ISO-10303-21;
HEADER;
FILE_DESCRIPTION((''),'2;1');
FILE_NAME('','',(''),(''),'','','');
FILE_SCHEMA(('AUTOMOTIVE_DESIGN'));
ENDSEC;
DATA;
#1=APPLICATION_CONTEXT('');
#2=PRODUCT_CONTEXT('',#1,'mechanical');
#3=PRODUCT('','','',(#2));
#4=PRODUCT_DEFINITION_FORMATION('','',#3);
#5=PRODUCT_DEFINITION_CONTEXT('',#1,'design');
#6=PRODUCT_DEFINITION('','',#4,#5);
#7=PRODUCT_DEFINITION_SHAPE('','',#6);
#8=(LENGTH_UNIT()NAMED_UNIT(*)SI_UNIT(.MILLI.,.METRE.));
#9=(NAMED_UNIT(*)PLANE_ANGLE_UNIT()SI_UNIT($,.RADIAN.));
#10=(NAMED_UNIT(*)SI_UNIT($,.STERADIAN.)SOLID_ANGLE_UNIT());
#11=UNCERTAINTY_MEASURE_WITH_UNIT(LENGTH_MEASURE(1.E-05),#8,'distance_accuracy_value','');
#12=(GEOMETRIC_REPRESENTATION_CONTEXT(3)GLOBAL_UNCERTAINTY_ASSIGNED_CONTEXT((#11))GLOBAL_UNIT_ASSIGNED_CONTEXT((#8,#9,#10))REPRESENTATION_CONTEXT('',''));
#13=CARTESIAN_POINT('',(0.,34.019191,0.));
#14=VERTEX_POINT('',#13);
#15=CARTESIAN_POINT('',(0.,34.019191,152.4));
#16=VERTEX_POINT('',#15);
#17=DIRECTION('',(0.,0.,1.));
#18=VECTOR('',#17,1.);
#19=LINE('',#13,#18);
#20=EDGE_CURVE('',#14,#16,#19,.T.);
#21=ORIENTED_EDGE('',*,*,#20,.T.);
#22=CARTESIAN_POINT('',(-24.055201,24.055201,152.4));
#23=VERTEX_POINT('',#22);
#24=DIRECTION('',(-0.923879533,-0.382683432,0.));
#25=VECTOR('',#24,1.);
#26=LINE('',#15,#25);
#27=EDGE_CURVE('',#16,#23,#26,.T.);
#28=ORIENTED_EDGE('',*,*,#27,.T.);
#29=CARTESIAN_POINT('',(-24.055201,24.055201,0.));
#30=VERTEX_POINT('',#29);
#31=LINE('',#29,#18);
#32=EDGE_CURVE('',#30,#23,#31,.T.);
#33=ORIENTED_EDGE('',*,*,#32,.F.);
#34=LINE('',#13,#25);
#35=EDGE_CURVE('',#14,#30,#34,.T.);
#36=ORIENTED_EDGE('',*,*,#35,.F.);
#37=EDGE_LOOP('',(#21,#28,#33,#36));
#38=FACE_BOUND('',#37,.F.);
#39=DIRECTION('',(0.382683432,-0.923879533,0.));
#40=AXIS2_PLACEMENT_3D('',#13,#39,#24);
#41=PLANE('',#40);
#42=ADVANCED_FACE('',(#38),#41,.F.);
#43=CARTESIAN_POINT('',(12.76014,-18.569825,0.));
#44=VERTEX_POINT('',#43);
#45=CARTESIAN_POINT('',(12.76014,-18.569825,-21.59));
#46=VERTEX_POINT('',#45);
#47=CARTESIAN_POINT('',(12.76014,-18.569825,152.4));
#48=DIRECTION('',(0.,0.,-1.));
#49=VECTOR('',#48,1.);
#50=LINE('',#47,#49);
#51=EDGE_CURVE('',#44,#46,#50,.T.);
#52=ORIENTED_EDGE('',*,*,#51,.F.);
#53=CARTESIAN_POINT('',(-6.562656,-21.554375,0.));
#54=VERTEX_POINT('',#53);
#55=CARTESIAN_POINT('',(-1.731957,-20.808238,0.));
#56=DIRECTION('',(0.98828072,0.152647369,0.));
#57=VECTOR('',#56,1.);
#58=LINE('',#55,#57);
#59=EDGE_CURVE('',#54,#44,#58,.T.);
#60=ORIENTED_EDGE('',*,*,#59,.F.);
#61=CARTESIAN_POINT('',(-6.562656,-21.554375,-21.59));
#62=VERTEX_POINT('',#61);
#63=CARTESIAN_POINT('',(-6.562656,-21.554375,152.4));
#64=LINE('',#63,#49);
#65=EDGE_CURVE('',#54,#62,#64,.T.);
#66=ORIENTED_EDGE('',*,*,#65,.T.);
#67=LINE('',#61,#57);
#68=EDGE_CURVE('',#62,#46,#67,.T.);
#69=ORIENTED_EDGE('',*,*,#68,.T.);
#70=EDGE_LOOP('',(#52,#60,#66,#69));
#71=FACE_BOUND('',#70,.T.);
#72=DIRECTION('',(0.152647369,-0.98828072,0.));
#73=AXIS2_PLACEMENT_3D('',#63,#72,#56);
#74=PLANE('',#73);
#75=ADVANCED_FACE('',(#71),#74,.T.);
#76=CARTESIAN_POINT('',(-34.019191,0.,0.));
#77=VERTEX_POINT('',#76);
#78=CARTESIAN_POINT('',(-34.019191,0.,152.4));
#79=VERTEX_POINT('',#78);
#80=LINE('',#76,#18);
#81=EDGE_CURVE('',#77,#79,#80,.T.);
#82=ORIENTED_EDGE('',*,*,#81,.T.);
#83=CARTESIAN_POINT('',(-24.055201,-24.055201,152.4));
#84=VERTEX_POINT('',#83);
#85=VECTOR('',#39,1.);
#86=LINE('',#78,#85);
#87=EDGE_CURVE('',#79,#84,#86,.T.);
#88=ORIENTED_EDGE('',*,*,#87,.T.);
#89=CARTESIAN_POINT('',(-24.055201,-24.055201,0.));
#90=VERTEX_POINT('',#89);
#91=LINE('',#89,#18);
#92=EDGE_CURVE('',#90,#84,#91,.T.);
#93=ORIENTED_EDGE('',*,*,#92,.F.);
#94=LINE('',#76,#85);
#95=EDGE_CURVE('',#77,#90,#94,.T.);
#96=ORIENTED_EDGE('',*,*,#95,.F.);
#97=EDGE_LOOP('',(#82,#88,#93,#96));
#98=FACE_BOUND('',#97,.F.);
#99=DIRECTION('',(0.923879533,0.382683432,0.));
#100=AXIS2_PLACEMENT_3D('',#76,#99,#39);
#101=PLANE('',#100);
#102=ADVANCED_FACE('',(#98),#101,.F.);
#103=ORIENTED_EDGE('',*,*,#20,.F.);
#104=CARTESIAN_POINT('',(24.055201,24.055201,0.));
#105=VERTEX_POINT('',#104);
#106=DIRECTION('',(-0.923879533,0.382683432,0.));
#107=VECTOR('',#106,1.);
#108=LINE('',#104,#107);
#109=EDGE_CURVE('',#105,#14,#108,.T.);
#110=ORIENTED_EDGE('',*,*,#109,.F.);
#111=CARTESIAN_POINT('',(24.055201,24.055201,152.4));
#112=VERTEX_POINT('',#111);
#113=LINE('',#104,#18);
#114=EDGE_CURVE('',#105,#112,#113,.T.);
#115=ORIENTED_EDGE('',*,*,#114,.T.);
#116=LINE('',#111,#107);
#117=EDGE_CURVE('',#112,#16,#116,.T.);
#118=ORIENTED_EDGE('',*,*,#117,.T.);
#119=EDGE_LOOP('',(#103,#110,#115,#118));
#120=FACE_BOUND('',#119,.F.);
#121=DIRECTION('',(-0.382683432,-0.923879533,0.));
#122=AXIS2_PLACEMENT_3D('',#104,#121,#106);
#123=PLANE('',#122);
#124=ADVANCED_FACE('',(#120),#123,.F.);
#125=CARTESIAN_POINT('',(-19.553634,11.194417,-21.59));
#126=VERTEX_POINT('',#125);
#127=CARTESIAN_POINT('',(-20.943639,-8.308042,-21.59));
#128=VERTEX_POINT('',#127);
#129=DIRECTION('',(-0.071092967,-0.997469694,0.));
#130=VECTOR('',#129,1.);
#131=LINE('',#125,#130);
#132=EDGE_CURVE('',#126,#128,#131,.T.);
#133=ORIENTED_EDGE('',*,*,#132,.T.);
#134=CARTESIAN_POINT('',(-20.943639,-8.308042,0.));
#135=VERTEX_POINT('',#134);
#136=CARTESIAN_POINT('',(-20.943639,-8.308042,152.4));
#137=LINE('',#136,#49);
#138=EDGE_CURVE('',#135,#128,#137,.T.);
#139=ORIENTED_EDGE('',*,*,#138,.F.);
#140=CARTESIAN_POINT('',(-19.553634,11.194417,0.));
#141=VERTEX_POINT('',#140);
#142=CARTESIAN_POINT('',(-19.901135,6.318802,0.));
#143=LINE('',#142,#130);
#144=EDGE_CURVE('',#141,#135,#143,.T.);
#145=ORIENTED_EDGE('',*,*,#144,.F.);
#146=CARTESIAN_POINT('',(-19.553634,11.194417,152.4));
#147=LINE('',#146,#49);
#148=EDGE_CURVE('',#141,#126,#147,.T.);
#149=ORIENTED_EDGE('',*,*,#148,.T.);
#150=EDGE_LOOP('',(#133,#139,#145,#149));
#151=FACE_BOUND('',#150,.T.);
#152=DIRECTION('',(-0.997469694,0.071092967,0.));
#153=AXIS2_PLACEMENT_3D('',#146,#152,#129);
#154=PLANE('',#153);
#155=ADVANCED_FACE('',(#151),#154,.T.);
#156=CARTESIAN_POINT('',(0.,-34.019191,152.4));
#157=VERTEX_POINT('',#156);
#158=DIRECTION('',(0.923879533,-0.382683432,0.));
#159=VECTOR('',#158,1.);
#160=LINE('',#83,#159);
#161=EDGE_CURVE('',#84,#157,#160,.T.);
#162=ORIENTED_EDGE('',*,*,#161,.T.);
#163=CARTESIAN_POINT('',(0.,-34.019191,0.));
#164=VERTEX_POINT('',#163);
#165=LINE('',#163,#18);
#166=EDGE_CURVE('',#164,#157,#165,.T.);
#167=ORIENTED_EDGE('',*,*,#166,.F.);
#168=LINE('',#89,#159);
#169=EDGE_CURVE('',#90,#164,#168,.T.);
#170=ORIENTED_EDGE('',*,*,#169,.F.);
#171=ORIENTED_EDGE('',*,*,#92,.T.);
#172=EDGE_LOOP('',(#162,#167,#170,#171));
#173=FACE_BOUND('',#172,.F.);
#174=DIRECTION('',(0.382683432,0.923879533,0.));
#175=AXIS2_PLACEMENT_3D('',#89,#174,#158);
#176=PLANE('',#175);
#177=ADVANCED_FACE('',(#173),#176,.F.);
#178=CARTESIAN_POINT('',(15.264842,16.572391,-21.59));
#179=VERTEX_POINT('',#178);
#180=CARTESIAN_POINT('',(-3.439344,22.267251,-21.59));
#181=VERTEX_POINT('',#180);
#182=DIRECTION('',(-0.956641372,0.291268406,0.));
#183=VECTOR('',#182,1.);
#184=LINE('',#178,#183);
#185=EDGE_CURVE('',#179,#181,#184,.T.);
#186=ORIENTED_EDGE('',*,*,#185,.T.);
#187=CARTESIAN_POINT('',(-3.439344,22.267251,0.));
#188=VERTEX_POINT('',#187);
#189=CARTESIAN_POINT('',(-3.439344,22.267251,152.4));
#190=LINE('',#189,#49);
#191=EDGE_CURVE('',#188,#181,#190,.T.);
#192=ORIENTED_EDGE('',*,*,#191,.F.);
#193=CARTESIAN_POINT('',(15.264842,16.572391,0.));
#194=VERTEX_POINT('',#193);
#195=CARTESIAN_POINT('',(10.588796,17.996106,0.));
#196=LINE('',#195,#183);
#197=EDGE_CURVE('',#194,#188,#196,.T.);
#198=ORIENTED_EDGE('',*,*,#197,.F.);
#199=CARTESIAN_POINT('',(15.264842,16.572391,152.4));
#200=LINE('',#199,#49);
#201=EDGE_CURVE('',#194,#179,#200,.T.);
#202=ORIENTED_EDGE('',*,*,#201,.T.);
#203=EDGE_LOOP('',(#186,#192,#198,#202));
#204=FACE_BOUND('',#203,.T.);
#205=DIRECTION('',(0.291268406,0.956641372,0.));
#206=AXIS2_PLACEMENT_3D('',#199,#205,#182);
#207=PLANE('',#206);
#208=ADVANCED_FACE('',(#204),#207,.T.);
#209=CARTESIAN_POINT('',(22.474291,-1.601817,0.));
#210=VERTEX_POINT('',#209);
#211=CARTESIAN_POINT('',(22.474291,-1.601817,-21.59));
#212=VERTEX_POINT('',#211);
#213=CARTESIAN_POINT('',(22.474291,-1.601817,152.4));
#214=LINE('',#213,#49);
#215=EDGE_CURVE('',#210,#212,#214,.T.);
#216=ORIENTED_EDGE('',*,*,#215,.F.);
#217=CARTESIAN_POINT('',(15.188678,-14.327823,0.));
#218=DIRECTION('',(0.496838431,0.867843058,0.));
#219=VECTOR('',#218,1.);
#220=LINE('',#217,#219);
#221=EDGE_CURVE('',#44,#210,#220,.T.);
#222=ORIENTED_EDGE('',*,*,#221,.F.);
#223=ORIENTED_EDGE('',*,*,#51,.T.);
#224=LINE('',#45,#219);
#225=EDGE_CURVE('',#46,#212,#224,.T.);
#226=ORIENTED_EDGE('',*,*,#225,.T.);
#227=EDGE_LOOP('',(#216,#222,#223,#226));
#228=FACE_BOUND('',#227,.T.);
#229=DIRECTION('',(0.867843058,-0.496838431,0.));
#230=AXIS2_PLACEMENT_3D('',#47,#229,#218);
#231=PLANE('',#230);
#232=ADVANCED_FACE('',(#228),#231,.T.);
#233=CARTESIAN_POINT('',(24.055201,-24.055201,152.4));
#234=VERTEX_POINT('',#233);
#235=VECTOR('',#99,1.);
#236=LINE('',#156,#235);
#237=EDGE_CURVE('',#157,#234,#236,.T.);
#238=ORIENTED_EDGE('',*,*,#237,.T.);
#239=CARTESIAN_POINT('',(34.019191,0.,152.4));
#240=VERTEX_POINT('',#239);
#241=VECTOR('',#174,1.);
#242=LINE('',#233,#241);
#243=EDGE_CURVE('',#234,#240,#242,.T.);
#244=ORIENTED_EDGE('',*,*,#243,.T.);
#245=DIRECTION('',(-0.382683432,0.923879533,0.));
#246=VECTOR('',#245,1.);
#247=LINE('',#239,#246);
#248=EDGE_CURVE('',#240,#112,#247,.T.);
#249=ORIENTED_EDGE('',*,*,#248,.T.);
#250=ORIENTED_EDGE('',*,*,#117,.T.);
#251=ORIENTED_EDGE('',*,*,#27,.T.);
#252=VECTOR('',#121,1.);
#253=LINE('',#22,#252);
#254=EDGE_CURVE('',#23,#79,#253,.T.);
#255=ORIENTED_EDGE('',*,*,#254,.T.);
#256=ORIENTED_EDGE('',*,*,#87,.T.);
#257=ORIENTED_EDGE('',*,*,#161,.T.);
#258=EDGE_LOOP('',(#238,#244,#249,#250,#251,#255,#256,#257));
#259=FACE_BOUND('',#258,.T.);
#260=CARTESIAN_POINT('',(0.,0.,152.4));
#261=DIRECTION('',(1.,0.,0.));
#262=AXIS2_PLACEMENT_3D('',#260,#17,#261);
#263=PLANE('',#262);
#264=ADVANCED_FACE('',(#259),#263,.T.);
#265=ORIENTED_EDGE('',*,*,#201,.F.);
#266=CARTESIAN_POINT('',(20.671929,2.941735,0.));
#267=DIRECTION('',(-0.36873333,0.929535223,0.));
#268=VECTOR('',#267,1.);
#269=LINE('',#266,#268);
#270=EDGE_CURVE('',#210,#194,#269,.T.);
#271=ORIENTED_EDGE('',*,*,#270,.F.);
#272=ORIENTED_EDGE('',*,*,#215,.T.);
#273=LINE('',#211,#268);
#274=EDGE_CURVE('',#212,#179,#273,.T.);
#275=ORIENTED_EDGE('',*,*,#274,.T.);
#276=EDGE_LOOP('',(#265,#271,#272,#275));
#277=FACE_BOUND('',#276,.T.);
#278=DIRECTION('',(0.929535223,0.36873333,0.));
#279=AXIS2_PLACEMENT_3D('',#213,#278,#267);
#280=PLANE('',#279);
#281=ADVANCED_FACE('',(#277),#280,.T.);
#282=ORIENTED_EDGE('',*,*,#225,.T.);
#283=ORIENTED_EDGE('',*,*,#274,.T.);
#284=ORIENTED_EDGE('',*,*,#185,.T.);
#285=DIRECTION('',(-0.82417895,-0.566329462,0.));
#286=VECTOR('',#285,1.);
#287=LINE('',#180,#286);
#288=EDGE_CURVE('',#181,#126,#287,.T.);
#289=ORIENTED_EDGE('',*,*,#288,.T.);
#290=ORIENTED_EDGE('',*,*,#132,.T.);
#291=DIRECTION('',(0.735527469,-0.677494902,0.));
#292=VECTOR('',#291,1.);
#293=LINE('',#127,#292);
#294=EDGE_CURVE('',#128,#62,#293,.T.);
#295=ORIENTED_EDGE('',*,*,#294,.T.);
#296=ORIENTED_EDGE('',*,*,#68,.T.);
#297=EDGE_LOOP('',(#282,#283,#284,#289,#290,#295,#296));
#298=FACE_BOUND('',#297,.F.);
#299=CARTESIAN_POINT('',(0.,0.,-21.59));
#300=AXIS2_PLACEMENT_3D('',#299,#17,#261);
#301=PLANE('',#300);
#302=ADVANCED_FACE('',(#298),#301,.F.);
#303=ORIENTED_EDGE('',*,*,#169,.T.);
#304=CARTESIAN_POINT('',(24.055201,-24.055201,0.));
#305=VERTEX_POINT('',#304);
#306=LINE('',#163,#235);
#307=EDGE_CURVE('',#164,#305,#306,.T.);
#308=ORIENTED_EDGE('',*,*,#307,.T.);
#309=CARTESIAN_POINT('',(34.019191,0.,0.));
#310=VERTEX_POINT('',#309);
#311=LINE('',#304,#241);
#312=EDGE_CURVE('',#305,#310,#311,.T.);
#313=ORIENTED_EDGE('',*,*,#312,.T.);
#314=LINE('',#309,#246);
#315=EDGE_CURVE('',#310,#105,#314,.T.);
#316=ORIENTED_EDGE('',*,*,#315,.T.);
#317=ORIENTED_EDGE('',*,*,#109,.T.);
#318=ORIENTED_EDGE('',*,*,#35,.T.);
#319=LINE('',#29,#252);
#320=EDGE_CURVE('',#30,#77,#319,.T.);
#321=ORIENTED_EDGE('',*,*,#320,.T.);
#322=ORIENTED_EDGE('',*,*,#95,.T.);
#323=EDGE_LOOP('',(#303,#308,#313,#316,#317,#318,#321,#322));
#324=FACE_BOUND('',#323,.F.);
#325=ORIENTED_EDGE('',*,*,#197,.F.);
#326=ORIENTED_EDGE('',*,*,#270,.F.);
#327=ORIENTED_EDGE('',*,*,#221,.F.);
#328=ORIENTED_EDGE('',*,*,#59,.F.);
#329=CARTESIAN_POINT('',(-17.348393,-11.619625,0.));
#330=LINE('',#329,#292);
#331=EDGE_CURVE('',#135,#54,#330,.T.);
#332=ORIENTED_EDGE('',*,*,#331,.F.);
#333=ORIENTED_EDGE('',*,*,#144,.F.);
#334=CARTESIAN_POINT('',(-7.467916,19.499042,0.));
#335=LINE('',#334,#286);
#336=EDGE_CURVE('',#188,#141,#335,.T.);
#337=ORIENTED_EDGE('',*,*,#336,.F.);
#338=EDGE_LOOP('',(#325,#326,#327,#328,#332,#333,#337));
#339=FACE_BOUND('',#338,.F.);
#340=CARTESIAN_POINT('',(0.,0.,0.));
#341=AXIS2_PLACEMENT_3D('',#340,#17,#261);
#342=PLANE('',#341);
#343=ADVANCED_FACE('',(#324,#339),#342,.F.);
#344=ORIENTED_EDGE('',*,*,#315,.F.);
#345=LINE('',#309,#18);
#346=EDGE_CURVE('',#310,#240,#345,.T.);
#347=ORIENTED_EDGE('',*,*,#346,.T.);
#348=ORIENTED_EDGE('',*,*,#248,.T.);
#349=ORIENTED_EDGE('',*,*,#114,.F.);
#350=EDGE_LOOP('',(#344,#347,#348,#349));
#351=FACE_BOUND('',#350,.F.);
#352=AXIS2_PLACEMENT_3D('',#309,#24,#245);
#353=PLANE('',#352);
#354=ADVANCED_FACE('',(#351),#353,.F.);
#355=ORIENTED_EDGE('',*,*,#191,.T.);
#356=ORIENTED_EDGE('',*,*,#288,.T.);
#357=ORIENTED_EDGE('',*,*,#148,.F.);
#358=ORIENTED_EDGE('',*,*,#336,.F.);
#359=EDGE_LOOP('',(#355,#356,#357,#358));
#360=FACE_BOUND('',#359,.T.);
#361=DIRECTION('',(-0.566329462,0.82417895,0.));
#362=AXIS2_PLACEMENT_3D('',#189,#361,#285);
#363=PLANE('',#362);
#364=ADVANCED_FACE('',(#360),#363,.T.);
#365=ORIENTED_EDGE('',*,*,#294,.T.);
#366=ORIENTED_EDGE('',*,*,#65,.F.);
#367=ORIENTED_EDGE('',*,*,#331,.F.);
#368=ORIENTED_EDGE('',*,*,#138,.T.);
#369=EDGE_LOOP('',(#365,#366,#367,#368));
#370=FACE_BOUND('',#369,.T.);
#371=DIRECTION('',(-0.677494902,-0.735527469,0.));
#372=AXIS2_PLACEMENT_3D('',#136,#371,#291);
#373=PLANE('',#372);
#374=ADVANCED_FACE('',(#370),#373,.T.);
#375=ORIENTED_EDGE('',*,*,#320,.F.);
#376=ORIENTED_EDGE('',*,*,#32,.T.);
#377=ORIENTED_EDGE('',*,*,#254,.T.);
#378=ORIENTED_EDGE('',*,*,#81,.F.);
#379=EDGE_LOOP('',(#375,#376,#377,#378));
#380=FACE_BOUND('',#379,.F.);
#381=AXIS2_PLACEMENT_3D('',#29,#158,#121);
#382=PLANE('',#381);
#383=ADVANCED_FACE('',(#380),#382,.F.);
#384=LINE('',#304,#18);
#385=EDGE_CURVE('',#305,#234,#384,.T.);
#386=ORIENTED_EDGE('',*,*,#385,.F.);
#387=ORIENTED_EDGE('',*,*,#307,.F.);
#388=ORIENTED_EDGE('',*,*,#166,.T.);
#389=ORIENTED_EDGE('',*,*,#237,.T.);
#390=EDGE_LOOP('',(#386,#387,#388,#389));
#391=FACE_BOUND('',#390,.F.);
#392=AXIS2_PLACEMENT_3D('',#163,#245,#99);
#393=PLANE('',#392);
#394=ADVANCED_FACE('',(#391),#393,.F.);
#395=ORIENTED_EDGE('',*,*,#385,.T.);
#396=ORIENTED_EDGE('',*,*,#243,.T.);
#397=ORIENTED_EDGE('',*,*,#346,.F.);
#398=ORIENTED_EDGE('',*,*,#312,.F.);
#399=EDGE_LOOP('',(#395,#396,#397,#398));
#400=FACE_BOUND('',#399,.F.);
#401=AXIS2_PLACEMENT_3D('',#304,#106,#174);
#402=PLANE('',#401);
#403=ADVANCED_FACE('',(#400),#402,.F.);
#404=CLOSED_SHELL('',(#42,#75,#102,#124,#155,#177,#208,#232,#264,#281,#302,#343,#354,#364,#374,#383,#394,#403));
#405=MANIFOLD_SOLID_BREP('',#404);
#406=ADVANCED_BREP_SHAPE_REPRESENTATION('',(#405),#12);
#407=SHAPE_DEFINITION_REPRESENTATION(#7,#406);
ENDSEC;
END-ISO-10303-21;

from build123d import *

# Parameters (mm, degrees)
F1_DEPTH = 152.4
F3_DEPTH = 173.99


with BuildPart() as f1:
    # F0 (on Top) → F1 (new body)
    with BuildSketch(Plane.XY):
        Polygon((24.0552005179, -24.0552005179), (34.0191908181, 0), (24.0552005179, 24.0552005179), (0, 34.0191908181), (-24.0552005179, 24.0552005179), (-34.0191908181, 0), (-24.0552005179, -24.0552005179), (0, -34.0191908181), align=None)
    extrude(amount=F1_DEPTH)

    # F2 (on face) → F3 (join)
    with BuildSketch(Plane.XY.offset(152.4)):
        Polygon((-3.4393439428, 22.2672511014), (-19.5536338125, 11.1944166036), (-20.9436385999, -8.3080419212), (-6.5626563492, -21.5543754261), (12.7601399862, -18.5698246061), (22.4742906526, -1.6018171023), (15.2648420656, 16.5723913507), align=None)
    extrude(amount=-F3_DEPTH)


solid = f1.part
